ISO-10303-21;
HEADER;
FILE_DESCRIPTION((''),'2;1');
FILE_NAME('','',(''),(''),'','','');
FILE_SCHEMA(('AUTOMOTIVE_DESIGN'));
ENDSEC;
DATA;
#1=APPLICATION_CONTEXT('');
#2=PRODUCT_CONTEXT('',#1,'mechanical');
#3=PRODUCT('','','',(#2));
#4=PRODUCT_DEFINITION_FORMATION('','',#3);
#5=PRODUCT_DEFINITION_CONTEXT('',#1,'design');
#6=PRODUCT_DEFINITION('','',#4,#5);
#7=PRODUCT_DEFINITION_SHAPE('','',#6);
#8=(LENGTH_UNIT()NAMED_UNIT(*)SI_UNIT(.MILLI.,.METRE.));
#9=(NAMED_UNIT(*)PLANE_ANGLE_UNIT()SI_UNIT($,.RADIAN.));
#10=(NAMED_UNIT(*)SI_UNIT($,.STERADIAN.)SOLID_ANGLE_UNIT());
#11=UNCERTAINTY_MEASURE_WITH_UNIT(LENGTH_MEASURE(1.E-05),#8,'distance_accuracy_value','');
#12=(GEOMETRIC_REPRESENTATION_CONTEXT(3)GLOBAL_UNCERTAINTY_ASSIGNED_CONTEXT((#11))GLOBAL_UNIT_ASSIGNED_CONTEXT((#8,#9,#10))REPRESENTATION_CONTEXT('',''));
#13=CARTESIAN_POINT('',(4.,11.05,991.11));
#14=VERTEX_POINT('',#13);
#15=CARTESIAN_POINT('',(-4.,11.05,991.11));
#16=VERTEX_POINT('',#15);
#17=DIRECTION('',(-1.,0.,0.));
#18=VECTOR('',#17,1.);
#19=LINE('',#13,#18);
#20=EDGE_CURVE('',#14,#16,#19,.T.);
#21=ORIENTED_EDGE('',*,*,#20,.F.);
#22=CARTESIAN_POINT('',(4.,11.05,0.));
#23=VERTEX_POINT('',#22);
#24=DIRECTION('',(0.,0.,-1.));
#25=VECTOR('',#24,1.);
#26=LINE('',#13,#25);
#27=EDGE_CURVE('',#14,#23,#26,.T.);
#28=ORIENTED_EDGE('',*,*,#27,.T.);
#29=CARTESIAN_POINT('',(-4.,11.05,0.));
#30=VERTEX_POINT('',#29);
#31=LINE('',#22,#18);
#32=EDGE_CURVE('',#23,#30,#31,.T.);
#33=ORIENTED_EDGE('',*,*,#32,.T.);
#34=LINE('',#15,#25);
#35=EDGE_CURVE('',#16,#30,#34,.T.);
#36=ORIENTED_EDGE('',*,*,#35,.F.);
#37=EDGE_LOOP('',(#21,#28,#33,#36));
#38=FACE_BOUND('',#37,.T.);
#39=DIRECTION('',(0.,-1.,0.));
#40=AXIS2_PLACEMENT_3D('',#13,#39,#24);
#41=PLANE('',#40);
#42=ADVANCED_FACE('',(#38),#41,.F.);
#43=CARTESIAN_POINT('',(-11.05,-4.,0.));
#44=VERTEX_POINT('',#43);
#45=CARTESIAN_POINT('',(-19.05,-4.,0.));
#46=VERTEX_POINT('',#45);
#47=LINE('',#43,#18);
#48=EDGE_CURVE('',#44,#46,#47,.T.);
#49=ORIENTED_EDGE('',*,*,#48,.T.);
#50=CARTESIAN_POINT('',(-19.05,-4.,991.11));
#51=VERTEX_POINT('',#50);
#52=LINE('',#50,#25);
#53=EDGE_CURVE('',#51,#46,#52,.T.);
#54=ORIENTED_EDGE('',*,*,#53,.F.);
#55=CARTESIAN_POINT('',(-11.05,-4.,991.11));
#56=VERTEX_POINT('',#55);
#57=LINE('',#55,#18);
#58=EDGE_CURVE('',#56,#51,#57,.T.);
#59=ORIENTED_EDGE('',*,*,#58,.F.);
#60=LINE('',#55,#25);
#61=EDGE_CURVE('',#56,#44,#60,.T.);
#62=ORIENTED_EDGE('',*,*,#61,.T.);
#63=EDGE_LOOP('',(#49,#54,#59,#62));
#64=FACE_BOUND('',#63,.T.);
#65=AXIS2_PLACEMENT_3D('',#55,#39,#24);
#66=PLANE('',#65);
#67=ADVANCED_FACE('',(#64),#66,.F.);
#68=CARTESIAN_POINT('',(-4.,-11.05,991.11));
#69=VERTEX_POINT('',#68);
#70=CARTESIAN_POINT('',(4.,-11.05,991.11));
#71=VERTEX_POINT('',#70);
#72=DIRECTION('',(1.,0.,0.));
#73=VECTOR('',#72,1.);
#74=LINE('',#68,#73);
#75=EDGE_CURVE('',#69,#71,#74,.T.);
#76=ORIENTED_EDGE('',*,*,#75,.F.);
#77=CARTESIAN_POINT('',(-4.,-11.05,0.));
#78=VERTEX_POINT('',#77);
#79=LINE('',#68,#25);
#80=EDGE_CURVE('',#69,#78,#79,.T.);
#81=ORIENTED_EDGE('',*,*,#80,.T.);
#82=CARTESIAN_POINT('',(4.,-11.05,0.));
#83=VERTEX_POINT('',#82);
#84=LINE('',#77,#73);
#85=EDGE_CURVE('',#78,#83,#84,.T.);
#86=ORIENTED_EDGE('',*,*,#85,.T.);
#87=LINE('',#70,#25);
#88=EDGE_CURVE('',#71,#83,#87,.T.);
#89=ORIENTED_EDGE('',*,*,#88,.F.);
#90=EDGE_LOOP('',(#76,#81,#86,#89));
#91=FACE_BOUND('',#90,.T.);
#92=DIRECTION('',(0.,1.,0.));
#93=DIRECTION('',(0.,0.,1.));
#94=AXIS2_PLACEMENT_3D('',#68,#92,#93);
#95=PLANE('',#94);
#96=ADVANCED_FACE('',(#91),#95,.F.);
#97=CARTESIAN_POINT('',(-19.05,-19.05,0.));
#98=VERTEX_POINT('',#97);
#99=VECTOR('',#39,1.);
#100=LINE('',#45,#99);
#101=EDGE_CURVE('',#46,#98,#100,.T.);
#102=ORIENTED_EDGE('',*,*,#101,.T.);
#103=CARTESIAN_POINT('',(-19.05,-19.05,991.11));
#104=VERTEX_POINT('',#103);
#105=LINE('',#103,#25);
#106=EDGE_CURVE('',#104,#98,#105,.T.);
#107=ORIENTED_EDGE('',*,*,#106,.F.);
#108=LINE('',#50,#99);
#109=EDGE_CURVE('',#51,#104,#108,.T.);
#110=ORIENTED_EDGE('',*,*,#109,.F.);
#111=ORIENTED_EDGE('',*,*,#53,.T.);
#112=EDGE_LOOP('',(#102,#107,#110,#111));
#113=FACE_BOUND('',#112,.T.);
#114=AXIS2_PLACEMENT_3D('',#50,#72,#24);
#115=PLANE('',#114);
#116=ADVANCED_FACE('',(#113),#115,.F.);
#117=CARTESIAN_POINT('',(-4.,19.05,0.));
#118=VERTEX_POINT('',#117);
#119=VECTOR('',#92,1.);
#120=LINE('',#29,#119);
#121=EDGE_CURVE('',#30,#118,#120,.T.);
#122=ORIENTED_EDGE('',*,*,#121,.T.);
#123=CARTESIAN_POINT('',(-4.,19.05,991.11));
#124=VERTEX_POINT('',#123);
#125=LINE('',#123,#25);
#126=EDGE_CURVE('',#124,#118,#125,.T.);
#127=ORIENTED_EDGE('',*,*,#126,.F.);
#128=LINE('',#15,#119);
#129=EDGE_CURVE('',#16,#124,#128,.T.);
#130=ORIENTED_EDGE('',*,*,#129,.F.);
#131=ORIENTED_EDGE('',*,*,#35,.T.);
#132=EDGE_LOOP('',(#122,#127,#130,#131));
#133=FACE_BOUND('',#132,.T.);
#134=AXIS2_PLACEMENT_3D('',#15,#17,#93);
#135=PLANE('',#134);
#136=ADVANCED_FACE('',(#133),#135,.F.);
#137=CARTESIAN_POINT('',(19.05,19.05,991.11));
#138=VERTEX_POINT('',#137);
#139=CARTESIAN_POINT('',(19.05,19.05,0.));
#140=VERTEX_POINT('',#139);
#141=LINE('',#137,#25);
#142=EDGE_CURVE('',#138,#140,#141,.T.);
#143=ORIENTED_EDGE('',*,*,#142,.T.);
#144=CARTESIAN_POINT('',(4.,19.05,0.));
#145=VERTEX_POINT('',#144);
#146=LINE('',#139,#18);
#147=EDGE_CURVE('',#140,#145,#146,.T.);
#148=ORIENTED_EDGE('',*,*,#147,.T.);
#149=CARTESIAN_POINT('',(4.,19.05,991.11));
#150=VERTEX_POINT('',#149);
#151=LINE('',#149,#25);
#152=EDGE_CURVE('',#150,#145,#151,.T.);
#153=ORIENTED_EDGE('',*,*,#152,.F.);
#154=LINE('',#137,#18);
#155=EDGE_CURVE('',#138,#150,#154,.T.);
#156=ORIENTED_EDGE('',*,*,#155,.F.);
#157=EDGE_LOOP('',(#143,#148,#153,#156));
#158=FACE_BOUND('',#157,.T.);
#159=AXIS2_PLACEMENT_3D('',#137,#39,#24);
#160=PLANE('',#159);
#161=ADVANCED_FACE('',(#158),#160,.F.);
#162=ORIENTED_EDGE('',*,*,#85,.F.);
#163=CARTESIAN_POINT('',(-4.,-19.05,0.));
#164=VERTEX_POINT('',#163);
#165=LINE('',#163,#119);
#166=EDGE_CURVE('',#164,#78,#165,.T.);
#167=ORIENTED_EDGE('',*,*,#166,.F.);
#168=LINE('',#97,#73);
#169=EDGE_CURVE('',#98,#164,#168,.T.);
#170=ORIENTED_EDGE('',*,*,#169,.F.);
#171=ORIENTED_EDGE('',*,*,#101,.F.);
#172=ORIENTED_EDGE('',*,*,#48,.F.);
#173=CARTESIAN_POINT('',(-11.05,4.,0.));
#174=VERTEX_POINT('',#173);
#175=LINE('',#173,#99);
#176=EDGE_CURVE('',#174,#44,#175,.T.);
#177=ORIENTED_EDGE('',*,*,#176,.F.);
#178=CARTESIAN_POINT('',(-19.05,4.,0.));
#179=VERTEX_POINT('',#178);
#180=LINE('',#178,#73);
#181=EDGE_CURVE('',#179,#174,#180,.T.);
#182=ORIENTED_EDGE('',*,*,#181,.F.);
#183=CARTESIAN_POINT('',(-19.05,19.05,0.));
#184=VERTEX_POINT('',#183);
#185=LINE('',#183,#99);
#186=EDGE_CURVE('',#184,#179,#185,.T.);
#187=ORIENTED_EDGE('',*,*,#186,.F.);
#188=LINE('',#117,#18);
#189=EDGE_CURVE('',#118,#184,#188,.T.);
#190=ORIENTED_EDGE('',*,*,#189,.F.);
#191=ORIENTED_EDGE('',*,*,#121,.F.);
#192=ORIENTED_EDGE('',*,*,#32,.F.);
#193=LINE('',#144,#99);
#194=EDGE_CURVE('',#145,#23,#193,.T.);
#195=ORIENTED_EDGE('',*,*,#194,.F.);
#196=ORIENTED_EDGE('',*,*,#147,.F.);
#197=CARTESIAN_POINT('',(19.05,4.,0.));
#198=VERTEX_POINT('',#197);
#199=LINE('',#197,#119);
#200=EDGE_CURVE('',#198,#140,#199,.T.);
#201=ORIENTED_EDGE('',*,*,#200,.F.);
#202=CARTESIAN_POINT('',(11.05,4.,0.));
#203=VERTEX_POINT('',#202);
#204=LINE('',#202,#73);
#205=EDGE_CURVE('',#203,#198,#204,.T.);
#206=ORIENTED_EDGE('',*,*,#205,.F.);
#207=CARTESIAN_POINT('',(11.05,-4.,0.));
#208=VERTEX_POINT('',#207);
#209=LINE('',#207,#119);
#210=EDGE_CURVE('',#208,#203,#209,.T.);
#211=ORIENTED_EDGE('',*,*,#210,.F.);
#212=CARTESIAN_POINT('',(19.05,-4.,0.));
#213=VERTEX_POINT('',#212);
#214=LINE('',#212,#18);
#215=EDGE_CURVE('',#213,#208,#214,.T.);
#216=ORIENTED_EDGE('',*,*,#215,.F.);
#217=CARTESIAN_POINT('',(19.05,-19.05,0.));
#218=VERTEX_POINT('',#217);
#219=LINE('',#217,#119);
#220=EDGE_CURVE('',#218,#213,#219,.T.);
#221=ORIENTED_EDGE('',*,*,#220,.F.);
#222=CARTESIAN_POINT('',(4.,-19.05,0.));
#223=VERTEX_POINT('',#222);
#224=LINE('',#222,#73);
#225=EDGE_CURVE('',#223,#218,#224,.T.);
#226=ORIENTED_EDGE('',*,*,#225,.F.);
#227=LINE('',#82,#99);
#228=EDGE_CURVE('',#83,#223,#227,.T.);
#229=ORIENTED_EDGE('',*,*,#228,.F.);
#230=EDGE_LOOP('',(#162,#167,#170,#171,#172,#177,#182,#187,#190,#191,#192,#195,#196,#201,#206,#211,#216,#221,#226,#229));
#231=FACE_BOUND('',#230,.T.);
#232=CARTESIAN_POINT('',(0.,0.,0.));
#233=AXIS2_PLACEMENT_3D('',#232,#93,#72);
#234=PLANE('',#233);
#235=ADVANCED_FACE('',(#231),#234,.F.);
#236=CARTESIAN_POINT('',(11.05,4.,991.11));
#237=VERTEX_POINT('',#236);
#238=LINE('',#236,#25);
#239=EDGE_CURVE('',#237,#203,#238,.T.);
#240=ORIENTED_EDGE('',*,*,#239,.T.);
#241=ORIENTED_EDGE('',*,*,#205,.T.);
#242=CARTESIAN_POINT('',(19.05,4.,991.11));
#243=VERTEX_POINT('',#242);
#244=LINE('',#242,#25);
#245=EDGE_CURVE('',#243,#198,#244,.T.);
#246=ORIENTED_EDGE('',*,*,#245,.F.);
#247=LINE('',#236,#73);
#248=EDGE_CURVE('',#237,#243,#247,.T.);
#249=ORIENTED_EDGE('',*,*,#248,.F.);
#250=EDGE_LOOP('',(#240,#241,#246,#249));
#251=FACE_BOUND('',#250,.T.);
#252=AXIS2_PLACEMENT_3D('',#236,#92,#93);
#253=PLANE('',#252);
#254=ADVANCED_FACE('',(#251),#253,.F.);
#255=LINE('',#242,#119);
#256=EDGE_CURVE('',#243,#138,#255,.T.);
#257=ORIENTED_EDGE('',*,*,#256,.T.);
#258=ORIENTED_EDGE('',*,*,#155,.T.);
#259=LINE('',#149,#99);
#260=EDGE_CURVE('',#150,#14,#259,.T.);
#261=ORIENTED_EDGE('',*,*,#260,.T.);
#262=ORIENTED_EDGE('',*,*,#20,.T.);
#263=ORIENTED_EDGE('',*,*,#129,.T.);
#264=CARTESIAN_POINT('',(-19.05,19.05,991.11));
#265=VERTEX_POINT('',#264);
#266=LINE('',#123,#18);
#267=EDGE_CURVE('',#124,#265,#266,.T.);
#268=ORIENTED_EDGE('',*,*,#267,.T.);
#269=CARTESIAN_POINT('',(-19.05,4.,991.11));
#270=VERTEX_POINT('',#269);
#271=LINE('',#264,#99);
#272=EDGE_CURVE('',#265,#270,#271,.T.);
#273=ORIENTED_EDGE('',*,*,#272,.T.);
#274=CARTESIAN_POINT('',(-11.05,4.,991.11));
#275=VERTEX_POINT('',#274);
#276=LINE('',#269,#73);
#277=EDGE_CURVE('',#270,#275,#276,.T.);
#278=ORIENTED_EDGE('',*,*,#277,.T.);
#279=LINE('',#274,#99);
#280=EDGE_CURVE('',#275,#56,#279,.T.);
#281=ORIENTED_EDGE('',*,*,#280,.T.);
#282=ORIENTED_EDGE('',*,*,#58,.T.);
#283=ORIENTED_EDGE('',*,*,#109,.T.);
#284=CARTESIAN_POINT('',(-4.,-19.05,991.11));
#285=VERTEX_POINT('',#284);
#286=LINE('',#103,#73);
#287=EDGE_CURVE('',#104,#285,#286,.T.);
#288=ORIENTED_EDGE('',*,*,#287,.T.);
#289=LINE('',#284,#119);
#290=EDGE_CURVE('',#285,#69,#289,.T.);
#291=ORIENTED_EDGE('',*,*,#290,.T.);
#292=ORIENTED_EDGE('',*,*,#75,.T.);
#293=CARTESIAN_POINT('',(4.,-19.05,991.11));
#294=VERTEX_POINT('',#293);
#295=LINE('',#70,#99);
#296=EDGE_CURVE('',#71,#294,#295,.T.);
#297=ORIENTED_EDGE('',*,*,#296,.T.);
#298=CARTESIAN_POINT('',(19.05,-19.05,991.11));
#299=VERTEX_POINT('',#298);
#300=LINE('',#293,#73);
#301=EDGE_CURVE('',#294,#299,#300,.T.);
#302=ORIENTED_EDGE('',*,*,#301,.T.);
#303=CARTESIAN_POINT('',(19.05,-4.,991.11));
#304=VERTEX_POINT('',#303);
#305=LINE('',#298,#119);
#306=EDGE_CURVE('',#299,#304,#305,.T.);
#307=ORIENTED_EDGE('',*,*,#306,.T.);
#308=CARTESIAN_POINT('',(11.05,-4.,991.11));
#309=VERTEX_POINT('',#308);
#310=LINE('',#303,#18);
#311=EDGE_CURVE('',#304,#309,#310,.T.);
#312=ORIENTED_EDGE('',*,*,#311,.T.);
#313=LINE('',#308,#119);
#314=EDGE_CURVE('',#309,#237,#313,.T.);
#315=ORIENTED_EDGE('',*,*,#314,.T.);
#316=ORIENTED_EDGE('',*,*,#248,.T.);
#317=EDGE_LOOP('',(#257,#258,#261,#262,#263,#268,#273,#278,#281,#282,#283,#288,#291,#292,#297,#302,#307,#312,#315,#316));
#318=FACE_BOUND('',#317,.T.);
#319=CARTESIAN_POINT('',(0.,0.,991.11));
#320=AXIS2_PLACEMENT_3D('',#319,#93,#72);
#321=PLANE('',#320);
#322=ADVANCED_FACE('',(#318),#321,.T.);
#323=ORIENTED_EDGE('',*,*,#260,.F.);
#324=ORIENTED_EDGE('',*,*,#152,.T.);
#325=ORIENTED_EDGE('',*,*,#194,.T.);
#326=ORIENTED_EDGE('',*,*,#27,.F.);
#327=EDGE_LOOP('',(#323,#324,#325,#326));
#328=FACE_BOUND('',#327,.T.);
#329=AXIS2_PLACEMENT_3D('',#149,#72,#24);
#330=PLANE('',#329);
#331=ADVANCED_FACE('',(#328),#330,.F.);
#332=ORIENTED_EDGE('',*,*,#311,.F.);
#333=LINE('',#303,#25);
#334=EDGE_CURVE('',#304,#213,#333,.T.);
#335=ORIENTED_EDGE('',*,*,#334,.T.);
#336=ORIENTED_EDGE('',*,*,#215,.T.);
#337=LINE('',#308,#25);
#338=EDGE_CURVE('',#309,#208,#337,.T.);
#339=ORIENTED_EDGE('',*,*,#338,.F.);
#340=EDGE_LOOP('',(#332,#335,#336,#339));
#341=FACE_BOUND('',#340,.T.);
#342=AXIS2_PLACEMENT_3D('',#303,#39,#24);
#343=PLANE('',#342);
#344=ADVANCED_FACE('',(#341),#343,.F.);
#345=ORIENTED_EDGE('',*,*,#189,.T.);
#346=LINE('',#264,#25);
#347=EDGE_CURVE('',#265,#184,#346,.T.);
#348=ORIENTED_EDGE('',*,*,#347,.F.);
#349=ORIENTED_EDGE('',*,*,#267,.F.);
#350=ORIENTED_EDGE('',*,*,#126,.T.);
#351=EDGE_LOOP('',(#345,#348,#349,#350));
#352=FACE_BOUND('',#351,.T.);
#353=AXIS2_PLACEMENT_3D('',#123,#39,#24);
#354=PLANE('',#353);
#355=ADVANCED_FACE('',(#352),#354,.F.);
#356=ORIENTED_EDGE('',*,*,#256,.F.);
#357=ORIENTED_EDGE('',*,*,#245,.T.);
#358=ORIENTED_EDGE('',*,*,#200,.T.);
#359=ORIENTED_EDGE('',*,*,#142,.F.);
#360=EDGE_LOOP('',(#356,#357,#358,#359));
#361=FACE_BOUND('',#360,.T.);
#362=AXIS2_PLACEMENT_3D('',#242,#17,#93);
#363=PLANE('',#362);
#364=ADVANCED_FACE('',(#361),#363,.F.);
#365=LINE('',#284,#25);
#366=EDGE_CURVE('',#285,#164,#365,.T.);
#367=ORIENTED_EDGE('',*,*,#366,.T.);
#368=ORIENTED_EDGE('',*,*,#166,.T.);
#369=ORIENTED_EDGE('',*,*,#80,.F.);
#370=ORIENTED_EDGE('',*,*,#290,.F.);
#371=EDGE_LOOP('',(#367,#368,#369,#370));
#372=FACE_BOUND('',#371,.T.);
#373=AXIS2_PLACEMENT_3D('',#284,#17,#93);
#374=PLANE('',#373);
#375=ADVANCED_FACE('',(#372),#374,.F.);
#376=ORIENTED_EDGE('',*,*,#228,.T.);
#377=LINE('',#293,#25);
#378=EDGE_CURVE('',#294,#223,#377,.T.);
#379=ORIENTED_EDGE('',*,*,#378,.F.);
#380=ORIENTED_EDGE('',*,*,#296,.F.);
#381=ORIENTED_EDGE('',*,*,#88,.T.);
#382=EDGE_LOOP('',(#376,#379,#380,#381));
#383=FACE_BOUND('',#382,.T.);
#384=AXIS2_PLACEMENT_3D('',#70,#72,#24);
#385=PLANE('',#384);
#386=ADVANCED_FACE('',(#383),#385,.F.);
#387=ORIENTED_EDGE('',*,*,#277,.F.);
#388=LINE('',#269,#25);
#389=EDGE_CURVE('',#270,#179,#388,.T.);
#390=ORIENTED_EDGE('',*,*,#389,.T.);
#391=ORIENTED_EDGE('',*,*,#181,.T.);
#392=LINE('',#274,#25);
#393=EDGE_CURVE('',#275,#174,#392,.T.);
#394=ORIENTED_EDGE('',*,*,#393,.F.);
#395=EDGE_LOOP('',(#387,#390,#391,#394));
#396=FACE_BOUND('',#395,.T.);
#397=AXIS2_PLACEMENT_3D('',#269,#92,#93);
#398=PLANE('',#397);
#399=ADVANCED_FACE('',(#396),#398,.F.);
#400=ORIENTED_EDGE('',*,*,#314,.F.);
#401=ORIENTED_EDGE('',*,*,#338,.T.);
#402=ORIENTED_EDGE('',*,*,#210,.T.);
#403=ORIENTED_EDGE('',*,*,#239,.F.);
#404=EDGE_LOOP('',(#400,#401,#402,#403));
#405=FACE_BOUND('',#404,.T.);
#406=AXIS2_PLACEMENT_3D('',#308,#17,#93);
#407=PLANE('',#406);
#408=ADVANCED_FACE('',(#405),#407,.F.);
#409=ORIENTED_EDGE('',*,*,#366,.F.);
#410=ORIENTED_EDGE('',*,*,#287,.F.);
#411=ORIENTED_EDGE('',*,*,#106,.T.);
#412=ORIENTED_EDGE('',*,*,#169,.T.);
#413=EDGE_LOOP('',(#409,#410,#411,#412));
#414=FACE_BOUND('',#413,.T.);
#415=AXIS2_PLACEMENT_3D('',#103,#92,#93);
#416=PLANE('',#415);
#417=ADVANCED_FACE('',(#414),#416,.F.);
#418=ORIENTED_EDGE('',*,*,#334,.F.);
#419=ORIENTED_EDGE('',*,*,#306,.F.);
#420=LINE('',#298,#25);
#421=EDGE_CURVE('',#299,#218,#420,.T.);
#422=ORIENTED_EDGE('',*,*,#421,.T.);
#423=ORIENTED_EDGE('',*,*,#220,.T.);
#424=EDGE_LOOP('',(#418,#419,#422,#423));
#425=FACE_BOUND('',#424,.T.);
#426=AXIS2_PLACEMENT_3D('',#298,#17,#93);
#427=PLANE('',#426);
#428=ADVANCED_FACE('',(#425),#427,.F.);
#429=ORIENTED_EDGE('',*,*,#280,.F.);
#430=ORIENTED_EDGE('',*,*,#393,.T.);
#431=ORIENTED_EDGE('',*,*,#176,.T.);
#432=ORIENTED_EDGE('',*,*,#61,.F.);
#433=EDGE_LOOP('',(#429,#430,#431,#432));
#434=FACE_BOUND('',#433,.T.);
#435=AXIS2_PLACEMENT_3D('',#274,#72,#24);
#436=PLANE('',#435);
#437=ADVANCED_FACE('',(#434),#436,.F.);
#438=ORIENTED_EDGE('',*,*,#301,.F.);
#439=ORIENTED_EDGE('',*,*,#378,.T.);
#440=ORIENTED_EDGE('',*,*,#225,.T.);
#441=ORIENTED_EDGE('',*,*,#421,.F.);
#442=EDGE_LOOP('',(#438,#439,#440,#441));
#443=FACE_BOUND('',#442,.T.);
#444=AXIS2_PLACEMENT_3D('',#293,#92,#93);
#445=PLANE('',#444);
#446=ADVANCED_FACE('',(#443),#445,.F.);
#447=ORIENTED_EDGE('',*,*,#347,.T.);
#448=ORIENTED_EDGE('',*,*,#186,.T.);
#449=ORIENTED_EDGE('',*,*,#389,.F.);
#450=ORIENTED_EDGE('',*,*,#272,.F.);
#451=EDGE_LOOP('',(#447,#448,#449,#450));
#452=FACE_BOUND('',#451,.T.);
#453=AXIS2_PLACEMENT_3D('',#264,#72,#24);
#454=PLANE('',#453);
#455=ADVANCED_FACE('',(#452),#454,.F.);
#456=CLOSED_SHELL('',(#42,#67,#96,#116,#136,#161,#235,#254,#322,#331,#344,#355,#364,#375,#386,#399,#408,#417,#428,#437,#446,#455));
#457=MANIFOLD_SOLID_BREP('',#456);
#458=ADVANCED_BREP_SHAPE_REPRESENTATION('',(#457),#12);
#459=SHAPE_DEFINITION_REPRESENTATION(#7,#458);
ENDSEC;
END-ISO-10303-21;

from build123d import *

# Parameters (mm, degrees)
PROFILE_DEPTH = 991.11


with BuildPart() as part:
    # Sketch1 → Profile (new body)
    with BuildSketch(Plane.XY):
        Polygon((-19.05, -19.05), (-4, -19.05), (-4, -11.05), (4, -11.05), (4, -19.05), (19.05, -19.05), (19.05, -4), (11.05, -4), (11.05, 4), (19.05, 4), (19.05, 19.05), (4, 19.05), (4, 11.05), (-4, 11.05), (-4, 19.05), (-19.05, 19.05), (-19.05, 4), (-11.05, 4), (-11.05, -4), (-19.05, -4), align=None)
    extrude(amount=PROFILE_DEPTH)


solid = part.part
